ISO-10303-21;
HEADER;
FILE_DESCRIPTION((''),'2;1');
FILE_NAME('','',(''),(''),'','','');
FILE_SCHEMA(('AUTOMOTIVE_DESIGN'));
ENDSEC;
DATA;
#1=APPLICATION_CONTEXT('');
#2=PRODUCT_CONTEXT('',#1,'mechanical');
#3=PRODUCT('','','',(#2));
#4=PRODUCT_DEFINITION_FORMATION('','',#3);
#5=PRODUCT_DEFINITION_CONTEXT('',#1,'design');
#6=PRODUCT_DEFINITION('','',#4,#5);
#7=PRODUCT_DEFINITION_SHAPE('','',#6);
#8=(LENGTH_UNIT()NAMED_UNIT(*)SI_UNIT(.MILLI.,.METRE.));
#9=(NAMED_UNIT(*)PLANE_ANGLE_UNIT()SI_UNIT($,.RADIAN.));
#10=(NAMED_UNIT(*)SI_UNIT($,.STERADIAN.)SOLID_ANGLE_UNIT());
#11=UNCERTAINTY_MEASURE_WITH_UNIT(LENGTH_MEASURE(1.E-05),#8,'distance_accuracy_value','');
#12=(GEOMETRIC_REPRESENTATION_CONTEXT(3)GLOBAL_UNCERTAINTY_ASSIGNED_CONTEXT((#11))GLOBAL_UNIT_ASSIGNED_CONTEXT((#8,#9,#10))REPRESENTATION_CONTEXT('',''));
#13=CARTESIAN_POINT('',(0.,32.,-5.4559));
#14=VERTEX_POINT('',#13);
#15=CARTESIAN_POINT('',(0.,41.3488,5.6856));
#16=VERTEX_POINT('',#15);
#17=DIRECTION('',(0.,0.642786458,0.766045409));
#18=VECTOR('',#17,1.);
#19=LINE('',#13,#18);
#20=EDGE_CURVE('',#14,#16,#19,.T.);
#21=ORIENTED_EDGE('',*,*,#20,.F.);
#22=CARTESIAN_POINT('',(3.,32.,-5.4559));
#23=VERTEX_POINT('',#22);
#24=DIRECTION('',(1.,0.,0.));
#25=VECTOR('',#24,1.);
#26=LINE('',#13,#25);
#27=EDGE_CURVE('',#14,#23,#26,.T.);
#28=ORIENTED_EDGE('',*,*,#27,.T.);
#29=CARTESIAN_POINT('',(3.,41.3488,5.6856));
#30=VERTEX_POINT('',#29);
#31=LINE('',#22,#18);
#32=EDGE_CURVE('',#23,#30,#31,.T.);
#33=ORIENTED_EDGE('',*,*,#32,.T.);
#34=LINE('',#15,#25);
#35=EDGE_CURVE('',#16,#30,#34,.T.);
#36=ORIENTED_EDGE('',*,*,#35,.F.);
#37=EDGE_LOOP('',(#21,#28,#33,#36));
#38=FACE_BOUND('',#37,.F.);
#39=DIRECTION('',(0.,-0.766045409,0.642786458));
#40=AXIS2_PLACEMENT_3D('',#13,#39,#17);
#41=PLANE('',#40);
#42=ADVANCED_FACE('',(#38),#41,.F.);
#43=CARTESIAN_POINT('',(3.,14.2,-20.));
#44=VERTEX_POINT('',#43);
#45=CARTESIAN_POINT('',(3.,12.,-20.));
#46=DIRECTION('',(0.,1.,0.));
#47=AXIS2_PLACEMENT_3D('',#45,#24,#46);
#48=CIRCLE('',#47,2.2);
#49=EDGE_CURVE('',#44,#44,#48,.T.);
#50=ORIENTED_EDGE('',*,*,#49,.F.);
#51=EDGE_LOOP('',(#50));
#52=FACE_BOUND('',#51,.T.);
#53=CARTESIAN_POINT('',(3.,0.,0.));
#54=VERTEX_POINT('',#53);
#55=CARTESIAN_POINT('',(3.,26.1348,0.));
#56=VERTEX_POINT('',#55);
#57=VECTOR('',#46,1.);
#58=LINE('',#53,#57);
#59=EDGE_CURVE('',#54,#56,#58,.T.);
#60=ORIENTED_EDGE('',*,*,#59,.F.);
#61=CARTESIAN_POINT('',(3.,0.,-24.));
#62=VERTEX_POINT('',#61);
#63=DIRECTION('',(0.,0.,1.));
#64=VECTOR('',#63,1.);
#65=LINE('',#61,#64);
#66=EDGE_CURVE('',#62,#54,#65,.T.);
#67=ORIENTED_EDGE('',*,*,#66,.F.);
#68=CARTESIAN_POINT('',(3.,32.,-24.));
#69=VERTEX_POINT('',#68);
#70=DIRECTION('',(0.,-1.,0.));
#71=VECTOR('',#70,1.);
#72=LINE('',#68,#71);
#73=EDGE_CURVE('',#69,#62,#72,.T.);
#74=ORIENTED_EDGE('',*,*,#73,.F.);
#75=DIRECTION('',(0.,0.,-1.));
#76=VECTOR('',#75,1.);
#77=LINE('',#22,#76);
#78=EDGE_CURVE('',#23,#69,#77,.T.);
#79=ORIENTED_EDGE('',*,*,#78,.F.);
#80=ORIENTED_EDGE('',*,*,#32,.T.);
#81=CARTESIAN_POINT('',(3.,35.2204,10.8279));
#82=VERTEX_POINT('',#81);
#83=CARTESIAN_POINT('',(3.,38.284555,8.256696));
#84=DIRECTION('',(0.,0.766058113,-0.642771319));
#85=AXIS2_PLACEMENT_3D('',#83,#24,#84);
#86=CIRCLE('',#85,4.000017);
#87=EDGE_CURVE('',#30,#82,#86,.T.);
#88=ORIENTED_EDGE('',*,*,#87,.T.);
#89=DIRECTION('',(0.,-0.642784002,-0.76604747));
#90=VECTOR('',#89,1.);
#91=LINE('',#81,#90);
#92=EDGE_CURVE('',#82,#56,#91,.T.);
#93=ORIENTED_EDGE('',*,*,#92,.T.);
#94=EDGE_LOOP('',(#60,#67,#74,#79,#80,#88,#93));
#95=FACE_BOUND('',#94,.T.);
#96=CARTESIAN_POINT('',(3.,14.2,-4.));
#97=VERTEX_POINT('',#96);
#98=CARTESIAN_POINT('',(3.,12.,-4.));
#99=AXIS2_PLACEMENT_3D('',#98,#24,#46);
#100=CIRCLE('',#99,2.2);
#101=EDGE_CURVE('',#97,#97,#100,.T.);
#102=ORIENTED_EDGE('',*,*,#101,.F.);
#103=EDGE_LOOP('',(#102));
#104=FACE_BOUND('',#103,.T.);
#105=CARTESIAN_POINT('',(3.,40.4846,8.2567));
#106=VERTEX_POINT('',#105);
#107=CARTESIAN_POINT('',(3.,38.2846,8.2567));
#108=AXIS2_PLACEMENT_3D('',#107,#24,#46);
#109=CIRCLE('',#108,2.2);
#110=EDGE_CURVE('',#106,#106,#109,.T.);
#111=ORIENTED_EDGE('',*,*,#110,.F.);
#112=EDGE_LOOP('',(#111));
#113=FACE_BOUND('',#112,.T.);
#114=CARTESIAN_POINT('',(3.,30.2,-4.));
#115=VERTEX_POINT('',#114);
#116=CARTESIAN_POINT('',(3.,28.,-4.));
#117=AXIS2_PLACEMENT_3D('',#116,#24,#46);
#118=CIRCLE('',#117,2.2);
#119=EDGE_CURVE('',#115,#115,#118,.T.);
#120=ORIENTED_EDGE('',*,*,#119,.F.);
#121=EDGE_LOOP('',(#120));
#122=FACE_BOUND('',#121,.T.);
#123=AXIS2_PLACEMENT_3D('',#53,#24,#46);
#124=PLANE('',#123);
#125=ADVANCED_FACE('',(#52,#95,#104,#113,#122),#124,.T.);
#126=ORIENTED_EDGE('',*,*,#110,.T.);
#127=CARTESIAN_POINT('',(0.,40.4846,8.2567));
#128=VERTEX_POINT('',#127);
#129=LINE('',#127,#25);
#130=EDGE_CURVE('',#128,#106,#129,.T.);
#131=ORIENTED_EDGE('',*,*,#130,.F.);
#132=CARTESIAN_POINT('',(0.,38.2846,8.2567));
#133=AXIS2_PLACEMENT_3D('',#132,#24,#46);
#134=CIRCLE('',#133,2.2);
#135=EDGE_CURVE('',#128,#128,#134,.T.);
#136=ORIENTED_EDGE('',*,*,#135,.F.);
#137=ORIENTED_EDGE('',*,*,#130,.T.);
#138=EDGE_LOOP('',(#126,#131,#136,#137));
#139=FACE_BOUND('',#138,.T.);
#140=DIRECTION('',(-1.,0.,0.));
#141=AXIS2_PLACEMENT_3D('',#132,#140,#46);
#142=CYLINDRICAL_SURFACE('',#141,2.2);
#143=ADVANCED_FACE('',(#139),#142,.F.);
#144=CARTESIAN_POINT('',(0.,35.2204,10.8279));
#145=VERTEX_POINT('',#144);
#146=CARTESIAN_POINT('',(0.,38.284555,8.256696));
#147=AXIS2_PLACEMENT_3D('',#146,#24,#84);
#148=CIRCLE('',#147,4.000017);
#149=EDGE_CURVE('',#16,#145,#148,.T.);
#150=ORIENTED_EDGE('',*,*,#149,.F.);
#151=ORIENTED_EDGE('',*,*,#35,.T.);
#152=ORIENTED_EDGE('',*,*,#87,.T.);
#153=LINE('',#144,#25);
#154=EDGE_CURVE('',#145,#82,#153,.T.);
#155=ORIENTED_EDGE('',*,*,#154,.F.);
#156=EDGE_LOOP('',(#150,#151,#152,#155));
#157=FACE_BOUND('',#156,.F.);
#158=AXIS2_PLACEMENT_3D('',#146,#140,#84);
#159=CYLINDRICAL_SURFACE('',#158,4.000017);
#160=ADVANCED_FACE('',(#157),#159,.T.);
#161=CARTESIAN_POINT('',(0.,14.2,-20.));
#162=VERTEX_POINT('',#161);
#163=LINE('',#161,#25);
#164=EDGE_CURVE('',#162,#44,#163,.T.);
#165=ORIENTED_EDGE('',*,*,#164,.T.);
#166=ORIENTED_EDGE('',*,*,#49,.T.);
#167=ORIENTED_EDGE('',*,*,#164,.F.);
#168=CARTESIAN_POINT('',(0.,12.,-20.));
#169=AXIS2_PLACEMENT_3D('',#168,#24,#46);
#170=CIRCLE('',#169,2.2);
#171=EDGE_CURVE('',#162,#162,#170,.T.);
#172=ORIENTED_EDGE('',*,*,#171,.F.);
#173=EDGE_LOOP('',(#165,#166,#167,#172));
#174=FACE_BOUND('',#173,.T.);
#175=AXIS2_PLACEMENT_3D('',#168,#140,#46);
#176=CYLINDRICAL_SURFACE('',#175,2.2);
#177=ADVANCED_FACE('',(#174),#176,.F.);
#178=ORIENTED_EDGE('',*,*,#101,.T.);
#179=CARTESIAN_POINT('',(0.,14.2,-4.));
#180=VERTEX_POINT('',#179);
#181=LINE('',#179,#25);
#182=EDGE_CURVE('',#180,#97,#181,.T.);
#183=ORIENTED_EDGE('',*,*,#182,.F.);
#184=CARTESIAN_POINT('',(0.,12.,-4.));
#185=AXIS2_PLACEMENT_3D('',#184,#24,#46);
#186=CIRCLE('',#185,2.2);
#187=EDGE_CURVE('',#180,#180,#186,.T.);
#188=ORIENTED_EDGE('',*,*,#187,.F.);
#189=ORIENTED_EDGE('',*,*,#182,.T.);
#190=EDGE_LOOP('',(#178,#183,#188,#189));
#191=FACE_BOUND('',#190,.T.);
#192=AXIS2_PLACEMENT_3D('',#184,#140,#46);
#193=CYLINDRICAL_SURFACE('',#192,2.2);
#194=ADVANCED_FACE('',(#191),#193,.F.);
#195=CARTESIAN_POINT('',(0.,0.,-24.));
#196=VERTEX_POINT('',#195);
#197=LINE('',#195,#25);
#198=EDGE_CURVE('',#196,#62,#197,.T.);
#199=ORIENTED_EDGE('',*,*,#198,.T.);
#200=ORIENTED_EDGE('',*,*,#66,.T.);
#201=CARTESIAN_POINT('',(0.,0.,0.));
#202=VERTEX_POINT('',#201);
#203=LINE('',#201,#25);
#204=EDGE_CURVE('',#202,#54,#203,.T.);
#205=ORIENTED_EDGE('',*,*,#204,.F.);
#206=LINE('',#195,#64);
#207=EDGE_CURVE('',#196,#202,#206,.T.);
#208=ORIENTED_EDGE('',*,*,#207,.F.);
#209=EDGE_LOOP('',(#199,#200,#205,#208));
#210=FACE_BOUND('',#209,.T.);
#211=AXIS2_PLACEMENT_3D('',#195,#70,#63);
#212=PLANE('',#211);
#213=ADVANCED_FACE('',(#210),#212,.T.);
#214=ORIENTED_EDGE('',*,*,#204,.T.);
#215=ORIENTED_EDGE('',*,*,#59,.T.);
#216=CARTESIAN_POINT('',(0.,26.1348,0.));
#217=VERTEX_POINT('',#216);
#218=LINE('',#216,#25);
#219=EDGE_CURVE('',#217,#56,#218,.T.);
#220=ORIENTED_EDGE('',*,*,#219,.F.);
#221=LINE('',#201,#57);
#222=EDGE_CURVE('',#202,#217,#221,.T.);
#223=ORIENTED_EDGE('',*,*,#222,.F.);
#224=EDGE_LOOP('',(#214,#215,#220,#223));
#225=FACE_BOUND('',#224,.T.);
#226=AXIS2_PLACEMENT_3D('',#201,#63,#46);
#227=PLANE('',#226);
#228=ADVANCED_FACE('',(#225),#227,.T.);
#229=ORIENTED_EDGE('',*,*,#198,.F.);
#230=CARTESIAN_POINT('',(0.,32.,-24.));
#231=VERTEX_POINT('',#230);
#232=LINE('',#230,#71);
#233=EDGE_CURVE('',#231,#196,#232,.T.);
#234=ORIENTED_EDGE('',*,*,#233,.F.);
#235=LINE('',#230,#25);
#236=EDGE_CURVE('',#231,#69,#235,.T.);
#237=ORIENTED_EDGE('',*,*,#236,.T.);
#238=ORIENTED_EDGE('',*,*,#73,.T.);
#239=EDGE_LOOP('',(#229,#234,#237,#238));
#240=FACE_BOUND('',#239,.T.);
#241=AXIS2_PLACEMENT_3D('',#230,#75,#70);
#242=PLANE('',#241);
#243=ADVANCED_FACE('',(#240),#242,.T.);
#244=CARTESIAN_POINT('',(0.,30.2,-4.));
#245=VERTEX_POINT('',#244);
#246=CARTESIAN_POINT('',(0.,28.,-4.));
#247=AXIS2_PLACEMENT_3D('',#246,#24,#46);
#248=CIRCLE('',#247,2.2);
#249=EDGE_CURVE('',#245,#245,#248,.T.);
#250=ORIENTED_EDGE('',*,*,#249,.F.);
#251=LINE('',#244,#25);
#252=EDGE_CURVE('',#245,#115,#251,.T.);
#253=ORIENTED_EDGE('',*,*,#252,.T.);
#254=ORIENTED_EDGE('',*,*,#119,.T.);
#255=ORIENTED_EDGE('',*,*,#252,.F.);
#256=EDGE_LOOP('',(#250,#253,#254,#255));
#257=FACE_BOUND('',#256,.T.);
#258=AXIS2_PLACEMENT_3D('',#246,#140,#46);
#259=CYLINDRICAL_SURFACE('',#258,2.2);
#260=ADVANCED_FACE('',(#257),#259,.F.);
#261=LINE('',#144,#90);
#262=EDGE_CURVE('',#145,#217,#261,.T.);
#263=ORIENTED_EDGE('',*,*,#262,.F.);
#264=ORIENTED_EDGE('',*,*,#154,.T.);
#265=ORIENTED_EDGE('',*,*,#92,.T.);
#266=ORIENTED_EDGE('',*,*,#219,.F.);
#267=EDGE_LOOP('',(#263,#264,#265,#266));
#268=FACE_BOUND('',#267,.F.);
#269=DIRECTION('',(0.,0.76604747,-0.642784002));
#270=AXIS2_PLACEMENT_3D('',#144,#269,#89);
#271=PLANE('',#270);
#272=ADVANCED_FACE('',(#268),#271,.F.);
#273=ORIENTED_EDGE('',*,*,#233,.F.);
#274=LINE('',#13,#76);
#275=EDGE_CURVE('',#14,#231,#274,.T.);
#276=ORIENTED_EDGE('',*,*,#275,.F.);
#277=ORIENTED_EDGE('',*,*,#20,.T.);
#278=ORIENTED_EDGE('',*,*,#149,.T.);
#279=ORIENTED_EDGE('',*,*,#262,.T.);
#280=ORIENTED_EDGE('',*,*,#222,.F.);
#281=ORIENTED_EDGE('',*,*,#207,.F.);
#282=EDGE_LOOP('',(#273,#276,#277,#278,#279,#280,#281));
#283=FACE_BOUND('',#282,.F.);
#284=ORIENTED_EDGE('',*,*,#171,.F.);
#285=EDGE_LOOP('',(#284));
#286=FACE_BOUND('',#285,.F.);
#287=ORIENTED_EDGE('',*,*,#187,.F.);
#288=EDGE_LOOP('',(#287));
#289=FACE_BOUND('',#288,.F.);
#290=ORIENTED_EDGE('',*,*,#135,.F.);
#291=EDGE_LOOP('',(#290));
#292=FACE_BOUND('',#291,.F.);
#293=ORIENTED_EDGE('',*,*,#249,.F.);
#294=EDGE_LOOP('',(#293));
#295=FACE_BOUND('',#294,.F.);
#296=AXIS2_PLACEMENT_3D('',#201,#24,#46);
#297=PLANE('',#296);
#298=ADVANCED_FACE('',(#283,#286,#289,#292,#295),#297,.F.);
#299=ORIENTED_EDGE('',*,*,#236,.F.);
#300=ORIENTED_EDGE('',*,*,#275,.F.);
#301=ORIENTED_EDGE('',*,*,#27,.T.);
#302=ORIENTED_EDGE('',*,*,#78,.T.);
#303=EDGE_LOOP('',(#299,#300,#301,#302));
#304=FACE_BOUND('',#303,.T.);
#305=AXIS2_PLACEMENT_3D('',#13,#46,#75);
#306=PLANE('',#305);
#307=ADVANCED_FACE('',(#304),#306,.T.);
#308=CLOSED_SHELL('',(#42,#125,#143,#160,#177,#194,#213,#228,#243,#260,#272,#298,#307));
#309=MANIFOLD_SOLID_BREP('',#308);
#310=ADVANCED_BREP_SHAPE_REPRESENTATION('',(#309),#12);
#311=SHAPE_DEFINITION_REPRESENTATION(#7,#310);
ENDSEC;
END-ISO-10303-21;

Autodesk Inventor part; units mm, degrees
ref_plane "YZ Plane" through (0, 0, 0) normal (1, 0, 0) x (0, 1, 0)
ref_plane "XZ Plane" through (0, 0, 0) normal (0, 1, 0) x (-1, 0, 0)
ref_plane "XY Plane" through (0, 0, 0) normal (0, 0, 1) x (1, 0, 0)
sketch "Sketch1" plane through (0, 0, 0) normal (1, 0, 0) x (0, 1, 0)
  line L0 (32, -24) -> (0, -24)
  line L1 (0, -24) -> (0, 0)
  circle A0 centre (12, -4) radius 2.2
  circle A1 centre (12, -20) radius 2.2
  circle A2 centre (28, -4) radius 2.2
  line L2 (32, -5.4559) -> (41.3488, 5.6856)
  line L3 (35.2204, 10.8279) -> (26.1348, 0)
  arc A3 (41.3488, 5.6856) -> (35.2204, 10.8279) centre (38.2846, 8.2567) ccw
  line L4 (28, -4) -> (48, -4) construction
  line L5 (32, -5.4559) -> (32, -24)
  line L6 (0, 0) -> (26.1348, 0)
  circle A4 centre (38.2846, 8.2567) radius 2.2
  point P0 (34.4279, 3.6604)
  dimension "d1" = 32
  dimension "d2" = 4.4
  dimension "d3" = 12
  dimension "d5" = 4.4
  dimension "d6" = 4
  dimension "d7" = 4.4
  dimension "d10" = 16
  dimension "d12" = 8
  dimension "d13" = 4.4
extrude "Extrusion1" add sketch "Sketch1" along normal blind 3
properties part number "lifter arm mount"
